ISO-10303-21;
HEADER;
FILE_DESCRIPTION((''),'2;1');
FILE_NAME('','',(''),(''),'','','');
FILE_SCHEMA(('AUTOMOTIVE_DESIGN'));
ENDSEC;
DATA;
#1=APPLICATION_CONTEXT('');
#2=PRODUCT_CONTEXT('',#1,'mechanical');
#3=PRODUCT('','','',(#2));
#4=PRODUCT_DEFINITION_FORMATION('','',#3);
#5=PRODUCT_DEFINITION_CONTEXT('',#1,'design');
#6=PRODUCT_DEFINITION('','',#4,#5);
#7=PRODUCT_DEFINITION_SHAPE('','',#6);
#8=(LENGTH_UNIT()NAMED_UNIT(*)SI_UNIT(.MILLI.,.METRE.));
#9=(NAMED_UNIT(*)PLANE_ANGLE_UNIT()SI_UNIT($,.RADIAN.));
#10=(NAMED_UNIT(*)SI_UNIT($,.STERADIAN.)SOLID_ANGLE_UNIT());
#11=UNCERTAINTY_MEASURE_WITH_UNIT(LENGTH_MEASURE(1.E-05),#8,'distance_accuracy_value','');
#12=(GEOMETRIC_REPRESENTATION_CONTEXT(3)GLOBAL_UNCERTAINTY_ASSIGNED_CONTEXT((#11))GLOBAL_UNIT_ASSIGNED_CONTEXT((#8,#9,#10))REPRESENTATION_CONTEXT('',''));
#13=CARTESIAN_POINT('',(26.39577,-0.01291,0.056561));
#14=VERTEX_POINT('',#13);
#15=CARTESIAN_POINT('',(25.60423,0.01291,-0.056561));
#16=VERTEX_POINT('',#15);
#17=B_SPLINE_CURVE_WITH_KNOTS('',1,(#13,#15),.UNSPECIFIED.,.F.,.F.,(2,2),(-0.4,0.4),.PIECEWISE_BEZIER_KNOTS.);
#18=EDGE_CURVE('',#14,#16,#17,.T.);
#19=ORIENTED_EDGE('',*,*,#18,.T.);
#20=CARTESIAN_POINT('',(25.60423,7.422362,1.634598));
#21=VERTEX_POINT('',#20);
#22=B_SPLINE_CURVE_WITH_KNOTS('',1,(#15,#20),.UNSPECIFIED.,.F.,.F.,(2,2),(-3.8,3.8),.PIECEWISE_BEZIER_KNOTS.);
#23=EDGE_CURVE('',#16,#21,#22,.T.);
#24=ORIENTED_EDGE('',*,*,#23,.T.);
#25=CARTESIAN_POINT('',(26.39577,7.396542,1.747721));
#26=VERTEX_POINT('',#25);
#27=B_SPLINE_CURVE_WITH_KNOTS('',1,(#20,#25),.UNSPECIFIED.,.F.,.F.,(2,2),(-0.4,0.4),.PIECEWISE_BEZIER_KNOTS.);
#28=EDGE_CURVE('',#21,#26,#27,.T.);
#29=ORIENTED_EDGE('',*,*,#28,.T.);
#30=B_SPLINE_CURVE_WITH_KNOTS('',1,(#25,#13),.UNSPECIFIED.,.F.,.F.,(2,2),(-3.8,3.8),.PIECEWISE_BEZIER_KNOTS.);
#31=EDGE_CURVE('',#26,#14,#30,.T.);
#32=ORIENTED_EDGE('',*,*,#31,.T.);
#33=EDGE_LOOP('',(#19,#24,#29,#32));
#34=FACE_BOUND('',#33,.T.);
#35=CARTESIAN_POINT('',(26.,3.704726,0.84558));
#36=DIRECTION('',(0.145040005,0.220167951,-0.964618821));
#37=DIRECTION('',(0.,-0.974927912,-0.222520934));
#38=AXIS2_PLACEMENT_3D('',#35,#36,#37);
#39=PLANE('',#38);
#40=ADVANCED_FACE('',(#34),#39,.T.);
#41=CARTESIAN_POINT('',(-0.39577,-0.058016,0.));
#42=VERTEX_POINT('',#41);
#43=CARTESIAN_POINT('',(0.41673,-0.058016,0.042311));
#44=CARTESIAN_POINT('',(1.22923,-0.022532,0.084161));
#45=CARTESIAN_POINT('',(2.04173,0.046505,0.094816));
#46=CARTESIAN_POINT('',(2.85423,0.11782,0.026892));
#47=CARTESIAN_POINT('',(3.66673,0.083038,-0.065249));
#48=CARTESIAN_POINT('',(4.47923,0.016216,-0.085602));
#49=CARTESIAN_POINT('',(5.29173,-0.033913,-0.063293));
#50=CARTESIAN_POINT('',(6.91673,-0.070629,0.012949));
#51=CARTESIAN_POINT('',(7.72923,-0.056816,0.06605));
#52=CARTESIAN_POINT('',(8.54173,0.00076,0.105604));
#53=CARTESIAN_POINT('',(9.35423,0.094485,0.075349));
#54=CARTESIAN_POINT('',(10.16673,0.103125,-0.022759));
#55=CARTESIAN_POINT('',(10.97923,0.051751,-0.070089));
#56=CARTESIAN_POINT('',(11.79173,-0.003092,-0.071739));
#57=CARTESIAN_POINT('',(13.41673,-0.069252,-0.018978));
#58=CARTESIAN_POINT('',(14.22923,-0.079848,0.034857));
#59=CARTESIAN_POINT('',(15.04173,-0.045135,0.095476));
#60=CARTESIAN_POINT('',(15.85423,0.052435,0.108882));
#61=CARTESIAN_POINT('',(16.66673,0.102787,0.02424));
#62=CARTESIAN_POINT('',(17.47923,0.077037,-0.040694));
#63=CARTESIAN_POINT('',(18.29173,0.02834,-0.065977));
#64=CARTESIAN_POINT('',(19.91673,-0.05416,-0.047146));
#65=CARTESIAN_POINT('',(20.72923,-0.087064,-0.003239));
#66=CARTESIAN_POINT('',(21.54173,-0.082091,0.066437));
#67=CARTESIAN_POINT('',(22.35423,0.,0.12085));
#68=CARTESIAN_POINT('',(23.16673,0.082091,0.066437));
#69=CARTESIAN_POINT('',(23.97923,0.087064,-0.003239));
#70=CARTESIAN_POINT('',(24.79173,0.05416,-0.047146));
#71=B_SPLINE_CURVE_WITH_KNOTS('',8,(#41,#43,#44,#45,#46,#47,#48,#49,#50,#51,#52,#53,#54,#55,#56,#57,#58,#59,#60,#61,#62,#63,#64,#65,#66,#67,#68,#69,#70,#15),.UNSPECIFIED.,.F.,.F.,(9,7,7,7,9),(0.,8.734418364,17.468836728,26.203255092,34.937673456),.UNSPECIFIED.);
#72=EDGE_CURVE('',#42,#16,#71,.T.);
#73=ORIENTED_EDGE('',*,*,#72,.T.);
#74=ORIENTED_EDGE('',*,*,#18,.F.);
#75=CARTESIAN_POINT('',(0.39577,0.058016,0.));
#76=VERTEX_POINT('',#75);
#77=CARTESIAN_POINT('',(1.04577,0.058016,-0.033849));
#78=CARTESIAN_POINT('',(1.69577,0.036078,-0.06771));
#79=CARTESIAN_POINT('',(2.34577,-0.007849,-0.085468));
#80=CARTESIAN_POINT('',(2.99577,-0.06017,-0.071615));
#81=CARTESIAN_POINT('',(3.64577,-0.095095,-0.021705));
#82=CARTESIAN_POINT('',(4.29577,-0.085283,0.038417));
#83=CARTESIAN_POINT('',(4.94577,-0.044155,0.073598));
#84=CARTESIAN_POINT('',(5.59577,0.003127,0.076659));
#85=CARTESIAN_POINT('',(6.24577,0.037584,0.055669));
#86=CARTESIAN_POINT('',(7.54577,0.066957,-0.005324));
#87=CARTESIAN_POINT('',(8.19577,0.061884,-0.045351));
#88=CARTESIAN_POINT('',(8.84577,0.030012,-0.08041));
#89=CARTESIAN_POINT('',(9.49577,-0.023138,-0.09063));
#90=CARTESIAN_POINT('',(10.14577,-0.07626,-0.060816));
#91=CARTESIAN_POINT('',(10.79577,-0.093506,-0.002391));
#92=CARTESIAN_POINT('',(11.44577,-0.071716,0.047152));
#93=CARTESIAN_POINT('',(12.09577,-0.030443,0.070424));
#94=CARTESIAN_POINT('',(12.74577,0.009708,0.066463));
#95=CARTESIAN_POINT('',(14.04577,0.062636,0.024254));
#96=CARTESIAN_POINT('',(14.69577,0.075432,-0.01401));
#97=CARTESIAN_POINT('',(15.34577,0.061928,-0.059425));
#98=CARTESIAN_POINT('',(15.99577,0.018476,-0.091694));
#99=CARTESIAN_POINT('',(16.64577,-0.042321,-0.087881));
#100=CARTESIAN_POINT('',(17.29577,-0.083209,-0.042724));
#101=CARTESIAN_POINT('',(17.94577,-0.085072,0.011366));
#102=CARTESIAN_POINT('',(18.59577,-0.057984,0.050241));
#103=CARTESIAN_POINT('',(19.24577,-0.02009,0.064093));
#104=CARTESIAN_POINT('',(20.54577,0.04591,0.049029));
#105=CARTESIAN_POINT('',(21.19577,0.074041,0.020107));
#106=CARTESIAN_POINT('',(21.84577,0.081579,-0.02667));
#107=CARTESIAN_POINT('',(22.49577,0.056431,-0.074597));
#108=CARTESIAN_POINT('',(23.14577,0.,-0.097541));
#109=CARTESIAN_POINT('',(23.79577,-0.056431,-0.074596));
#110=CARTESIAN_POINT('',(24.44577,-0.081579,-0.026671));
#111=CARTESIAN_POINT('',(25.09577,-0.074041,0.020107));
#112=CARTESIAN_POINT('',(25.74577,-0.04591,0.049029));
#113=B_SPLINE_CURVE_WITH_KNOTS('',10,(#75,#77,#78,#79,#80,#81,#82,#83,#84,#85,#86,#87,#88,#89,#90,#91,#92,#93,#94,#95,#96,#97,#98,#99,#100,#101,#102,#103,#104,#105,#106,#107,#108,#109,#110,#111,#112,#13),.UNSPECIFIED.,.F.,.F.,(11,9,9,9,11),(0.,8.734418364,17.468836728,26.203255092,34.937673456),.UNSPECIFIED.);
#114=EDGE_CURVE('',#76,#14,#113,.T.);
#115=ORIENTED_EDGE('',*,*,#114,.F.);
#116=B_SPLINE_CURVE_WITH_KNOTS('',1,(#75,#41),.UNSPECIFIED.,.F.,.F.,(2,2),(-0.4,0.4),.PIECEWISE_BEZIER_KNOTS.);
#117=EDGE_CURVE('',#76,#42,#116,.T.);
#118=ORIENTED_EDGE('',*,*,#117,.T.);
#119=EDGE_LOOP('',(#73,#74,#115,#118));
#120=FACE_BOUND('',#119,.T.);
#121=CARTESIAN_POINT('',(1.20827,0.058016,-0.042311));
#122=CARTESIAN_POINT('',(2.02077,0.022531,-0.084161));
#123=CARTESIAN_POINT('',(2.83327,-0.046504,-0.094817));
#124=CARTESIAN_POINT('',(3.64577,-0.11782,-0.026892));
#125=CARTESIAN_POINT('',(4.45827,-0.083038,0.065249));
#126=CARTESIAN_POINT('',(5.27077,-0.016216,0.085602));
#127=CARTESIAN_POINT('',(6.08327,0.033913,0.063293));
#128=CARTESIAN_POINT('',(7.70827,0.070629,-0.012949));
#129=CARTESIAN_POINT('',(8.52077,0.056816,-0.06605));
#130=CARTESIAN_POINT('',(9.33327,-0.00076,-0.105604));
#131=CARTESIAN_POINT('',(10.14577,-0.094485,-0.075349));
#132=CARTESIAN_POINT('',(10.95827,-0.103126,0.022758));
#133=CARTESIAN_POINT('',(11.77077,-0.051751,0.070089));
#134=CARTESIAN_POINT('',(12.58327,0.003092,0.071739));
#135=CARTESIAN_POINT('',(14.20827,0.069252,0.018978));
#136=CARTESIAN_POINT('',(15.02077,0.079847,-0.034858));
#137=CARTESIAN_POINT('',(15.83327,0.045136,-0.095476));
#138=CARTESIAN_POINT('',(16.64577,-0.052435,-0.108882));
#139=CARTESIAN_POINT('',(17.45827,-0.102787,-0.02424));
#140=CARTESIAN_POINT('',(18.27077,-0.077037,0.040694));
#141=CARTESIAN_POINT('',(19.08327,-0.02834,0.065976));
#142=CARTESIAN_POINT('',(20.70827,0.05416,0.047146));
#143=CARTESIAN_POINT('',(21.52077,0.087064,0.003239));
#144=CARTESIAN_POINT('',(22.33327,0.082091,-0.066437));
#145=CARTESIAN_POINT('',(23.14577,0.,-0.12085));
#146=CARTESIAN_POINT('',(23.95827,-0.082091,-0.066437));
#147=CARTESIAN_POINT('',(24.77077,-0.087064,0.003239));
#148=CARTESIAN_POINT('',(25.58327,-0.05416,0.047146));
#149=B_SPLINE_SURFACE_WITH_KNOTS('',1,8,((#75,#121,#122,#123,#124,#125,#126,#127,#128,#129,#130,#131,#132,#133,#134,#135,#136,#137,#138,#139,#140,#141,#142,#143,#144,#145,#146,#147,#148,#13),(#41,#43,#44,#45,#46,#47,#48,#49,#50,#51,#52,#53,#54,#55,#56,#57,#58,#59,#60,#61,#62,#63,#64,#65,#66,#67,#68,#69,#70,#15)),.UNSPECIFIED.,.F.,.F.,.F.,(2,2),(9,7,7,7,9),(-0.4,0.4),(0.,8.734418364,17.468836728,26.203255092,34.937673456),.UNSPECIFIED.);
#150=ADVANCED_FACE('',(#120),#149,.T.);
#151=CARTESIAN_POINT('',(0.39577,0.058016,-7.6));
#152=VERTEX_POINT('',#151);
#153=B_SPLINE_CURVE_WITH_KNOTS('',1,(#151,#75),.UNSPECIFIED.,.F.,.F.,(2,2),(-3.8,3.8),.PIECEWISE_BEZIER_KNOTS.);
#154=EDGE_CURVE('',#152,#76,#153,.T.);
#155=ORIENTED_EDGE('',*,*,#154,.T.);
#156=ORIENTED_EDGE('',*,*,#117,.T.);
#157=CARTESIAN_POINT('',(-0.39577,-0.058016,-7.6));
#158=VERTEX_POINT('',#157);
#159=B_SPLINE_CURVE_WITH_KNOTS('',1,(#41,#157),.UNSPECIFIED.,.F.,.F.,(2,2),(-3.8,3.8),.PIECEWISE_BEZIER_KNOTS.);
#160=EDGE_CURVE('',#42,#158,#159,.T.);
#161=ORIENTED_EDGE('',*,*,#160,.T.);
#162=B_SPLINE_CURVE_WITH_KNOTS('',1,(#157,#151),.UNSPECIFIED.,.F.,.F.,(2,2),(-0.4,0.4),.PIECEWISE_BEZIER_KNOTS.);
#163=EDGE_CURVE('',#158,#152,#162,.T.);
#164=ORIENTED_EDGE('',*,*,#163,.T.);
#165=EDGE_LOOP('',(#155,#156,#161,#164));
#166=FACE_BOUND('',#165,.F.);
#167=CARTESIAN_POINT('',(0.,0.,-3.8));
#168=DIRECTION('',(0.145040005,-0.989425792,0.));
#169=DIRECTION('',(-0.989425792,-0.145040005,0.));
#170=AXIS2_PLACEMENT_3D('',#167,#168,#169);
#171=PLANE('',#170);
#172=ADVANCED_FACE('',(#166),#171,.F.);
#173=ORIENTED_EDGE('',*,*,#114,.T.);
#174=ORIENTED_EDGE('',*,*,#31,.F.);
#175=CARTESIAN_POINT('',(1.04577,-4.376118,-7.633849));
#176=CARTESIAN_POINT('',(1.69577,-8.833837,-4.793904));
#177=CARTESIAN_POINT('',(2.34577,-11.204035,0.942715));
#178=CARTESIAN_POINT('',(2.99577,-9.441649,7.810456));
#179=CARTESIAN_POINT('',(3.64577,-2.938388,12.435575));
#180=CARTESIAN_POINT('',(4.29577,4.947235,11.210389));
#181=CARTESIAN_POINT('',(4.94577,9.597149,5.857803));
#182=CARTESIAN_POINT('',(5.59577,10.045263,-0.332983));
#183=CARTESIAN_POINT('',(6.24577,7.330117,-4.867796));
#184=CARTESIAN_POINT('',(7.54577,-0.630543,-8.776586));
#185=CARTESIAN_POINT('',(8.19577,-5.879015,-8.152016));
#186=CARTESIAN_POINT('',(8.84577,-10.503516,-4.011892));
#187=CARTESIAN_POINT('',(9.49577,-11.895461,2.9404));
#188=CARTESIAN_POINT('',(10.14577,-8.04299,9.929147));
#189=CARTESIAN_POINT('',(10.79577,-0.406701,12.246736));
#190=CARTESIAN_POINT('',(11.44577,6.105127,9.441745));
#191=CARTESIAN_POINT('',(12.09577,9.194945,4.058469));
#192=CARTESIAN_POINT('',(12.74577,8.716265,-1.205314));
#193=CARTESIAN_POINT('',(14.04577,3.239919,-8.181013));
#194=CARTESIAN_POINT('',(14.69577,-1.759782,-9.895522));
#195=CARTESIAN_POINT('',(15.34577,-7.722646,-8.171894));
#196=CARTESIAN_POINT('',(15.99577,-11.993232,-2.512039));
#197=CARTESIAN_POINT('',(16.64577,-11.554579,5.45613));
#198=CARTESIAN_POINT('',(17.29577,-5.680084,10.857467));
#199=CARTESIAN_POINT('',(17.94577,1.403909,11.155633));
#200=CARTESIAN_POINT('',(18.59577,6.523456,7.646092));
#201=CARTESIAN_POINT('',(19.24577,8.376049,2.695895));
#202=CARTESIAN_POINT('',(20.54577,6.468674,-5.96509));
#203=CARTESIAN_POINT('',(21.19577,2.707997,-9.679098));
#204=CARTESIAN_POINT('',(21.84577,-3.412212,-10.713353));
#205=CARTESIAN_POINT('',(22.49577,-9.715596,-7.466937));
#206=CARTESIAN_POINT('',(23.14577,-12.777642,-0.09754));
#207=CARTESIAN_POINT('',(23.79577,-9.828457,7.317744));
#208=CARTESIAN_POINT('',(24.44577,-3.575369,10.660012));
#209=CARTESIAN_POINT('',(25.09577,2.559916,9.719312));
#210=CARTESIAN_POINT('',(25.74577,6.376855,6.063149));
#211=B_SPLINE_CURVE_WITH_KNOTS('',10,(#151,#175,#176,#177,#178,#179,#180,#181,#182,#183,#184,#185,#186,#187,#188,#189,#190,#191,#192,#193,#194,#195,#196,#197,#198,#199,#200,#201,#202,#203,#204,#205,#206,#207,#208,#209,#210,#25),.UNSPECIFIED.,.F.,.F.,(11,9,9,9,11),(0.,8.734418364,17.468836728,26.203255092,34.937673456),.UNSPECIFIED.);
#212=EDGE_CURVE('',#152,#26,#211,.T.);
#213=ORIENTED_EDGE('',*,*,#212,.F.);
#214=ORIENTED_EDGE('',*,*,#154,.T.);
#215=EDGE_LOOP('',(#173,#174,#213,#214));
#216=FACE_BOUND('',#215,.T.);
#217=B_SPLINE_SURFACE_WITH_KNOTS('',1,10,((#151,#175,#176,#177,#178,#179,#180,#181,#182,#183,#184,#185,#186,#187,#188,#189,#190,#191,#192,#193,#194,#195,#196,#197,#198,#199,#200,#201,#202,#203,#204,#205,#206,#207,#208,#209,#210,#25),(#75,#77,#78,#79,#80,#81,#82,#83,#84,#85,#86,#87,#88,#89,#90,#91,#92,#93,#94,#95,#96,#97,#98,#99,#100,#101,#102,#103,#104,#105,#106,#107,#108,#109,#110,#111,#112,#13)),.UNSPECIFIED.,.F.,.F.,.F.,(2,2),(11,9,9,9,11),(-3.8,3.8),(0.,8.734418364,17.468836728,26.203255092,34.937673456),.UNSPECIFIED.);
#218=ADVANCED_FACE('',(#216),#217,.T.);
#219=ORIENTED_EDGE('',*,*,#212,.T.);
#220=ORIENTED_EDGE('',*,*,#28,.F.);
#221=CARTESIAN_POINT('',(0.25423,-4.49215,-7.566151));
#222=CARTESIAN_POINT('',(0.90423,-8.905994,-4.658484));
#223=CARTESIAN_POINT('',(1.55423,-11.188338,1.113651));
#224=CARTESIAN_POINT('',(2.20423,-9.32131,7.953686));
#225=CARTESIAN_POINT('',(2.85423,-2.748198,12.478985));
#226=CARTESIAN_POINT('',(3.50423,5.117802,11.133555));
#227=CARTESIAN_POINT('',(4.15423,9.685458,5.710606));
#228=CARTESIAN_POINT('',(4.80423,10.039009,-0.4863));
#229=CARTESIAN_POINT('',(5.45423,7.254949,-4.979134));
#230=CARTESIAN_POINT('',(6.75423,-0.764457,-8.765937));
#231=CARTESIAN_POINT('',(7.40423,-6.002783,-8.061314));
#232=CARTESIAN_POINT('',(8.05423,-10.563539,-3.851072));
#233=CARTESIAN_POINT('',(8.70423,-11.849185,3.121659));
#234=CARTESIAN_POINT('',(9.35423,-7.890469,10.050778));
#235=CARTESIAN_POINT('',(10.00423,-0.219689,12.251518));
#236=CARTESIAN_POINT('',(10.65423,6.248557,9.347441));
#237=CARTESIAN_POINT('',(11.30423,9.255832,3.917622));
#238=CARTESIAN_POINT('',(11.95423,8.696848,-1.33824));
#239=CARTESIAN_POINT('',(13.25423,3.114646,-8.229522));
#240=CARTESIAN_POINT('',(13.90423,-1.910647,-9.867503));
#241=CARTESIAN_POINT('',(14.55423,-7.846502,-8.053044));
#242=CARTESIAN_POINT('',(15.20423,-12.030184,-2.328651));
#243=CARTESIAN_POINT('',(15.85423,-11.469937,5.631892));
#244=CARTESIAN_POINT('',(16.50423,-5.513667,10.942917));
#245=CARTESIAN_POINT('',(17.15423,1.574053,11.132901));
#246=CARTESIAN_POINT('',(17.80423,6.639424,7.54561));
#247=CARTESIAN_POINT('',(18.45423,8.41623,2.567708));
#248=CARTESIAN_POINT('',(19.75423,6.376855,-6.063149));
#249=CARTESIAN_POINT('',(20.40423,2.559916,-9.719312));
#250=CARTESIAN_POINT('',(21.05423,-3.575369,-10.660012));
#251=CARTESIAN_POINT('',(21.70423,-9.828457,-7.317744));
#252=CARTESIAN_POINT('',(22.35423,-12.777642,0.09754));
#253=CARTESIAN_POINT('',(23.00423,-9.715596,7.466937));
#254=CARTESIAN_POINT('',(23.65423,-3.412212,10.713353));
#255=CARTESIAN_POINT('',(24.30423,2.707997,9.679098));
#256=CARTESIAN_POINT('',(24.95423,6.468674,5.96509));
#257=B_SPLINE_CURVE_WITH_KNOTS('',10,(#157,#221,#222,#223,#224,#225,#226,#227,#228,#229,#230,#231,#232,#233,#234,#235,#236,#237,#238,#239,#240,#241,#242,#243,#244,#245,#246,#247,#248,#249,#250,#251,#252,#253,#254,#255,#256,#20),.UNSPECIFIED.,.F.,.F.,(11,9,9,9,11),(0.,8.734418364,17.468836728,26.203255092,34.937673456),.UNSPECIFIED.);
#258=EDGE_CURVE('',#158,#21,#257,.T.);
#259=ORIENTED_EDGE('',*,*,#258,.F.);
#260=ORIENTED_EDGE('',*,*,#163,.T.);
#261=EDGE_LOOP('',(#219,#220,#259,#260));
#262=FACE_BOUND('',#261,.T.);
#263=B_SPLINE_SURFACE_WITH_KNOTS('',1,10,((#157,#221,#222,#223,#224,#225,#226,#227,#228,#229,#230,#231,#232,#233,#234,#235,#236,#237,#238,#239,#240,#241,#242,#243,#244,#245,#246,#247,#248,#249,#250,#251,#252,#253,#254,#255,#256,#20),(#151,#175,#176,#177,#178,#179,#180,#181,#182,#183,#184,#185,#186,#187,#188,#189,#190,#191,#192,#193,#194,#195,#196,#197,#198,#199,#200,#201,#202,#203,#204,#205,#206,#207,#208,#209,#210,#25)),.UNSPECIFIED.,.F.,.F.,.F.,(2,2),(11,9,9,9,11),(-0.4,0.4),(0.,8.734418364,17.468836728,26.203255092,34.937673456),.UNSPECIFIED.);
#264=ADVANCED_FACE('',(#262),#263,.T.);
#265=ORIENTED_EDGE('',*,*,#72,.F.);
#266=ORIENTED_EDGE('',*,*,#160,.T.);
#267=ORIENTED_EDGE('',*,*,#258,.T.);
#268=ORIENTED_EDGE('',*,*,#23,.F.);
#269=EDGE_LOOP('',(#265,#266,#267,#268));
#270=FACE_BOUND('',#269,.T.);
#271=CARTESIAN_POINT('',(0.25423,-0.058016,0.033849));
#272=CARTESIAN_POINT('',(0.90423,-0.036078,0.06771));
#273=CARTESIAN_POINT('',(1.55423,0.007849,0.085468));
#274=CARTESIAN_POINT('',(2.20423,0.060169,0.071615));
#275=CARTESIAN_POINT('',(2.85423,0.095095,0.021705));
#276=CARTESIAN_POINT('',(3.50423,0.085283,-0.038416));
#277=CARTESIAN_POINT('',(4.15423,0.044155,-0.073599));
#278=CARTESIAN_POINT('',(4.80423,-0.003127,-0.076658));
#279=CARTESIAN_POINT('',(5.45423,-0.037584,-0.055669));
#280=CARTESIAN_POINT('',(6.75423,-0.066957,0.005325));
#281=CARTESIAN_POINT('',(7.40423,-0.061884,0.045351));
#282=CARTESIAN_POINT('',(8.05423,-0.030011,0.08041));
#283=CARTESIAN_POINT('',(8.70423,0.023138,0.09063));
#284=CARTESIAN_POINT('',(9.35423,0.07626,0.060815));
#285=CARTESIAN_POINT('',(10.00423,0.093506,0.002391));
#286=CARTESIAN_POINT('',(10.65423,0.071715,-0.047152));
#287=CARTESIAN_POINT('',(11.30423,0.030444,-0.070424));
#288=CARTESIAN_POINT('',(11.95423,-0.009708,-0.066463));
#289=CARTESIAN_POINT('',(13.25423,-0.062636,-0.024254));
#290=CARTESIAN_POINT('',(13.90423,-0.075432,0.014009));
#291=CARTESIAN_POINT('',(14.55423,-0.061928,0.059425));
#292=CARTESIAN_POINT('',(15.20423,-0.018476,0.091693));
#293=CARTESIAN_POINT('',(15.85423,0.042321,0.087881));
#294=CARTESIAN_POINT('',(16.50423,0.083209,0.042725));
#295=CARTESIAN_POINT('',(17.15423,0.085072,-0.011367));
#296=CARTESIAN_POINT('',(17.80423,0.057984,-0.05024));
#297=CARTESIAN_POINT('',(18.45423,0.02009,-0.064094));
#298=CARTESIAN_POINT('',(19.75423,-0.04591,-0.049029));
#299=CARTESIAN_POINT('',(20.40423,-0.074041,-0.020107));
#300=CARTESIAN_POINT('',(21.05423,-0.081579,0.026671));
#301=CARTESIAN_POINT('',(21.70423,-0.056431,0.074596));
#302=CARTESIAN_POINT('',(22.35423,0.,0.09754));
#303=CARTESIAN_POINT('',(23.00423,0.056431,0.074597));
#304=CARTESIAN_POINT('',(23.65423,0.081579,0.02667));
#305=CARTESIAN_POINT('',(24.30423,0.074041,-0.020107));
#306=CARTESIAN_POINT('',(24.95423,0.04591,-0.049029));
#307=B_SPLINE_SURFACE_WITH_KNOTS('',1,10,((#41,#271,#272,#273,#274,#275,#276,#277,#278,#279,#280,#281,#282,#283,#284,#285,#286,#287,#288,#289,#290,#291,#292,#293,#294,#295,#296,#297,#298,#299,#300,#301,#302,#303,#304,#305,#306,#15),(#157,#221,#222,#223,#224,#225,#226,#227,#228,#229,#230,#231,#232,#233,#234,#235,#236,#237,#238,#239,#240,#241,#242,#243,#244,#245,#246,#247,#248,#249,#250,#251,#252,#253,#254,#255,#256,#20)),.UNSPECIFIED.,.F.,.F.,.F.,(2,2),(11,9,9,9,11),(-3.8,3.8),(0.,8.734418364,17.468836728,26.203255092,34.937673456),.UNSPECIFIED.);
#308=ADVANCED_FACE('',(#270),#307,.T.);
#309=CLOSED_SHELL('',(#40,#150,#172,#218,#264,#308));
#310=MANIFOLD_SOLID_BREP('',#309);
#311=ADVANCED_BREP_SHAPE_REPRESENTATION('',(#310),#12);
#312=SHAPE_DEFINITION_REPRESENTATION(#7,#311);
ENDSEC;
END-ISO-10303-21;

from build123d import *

# Parameters (mm, degrees)
SWEEP7_PITCH       = 7
SWEEP7_HEIGHT      = 26
SWEEP7_RADIUS      = 7.6
SWEEP7_START_ANGLE = -180
SKETCH43_W         = 0.8
SKETCH43_H         = 7.6


with BuildPart() as part:
    # Sweep7: sweep along a helix
    with BuildLine() as sweep7_path:
        add(Helix(SWEEP7_PITCH, SWEEP7_HEIGHT, SWEEP7_RADIUS, center=(0, 0, 0), direction=(1, 0, 0), lefthand=True, mode=Mode.PRIVATE).rotate(Axis((0, 0, 0), (1, 0, 0)), SWEEP7_START_ANGLE))
    # Sketch43 → Sweep7 (sweep)
    with BuildSketch(Plane(origin=(0, 0, -7.6), x_dir=(-0.9894257915170533, -0.14504000510498002, 0), z_dir=(0.14504000510498005, -0.9894257915170535, 0))):
        with Locations((0, -3.8)):
            Rectangle(SKETCH43_W, SKETCH43_H)
    sweep(path=sweep7_path.line, is_frenet=True)


solid = part.part
